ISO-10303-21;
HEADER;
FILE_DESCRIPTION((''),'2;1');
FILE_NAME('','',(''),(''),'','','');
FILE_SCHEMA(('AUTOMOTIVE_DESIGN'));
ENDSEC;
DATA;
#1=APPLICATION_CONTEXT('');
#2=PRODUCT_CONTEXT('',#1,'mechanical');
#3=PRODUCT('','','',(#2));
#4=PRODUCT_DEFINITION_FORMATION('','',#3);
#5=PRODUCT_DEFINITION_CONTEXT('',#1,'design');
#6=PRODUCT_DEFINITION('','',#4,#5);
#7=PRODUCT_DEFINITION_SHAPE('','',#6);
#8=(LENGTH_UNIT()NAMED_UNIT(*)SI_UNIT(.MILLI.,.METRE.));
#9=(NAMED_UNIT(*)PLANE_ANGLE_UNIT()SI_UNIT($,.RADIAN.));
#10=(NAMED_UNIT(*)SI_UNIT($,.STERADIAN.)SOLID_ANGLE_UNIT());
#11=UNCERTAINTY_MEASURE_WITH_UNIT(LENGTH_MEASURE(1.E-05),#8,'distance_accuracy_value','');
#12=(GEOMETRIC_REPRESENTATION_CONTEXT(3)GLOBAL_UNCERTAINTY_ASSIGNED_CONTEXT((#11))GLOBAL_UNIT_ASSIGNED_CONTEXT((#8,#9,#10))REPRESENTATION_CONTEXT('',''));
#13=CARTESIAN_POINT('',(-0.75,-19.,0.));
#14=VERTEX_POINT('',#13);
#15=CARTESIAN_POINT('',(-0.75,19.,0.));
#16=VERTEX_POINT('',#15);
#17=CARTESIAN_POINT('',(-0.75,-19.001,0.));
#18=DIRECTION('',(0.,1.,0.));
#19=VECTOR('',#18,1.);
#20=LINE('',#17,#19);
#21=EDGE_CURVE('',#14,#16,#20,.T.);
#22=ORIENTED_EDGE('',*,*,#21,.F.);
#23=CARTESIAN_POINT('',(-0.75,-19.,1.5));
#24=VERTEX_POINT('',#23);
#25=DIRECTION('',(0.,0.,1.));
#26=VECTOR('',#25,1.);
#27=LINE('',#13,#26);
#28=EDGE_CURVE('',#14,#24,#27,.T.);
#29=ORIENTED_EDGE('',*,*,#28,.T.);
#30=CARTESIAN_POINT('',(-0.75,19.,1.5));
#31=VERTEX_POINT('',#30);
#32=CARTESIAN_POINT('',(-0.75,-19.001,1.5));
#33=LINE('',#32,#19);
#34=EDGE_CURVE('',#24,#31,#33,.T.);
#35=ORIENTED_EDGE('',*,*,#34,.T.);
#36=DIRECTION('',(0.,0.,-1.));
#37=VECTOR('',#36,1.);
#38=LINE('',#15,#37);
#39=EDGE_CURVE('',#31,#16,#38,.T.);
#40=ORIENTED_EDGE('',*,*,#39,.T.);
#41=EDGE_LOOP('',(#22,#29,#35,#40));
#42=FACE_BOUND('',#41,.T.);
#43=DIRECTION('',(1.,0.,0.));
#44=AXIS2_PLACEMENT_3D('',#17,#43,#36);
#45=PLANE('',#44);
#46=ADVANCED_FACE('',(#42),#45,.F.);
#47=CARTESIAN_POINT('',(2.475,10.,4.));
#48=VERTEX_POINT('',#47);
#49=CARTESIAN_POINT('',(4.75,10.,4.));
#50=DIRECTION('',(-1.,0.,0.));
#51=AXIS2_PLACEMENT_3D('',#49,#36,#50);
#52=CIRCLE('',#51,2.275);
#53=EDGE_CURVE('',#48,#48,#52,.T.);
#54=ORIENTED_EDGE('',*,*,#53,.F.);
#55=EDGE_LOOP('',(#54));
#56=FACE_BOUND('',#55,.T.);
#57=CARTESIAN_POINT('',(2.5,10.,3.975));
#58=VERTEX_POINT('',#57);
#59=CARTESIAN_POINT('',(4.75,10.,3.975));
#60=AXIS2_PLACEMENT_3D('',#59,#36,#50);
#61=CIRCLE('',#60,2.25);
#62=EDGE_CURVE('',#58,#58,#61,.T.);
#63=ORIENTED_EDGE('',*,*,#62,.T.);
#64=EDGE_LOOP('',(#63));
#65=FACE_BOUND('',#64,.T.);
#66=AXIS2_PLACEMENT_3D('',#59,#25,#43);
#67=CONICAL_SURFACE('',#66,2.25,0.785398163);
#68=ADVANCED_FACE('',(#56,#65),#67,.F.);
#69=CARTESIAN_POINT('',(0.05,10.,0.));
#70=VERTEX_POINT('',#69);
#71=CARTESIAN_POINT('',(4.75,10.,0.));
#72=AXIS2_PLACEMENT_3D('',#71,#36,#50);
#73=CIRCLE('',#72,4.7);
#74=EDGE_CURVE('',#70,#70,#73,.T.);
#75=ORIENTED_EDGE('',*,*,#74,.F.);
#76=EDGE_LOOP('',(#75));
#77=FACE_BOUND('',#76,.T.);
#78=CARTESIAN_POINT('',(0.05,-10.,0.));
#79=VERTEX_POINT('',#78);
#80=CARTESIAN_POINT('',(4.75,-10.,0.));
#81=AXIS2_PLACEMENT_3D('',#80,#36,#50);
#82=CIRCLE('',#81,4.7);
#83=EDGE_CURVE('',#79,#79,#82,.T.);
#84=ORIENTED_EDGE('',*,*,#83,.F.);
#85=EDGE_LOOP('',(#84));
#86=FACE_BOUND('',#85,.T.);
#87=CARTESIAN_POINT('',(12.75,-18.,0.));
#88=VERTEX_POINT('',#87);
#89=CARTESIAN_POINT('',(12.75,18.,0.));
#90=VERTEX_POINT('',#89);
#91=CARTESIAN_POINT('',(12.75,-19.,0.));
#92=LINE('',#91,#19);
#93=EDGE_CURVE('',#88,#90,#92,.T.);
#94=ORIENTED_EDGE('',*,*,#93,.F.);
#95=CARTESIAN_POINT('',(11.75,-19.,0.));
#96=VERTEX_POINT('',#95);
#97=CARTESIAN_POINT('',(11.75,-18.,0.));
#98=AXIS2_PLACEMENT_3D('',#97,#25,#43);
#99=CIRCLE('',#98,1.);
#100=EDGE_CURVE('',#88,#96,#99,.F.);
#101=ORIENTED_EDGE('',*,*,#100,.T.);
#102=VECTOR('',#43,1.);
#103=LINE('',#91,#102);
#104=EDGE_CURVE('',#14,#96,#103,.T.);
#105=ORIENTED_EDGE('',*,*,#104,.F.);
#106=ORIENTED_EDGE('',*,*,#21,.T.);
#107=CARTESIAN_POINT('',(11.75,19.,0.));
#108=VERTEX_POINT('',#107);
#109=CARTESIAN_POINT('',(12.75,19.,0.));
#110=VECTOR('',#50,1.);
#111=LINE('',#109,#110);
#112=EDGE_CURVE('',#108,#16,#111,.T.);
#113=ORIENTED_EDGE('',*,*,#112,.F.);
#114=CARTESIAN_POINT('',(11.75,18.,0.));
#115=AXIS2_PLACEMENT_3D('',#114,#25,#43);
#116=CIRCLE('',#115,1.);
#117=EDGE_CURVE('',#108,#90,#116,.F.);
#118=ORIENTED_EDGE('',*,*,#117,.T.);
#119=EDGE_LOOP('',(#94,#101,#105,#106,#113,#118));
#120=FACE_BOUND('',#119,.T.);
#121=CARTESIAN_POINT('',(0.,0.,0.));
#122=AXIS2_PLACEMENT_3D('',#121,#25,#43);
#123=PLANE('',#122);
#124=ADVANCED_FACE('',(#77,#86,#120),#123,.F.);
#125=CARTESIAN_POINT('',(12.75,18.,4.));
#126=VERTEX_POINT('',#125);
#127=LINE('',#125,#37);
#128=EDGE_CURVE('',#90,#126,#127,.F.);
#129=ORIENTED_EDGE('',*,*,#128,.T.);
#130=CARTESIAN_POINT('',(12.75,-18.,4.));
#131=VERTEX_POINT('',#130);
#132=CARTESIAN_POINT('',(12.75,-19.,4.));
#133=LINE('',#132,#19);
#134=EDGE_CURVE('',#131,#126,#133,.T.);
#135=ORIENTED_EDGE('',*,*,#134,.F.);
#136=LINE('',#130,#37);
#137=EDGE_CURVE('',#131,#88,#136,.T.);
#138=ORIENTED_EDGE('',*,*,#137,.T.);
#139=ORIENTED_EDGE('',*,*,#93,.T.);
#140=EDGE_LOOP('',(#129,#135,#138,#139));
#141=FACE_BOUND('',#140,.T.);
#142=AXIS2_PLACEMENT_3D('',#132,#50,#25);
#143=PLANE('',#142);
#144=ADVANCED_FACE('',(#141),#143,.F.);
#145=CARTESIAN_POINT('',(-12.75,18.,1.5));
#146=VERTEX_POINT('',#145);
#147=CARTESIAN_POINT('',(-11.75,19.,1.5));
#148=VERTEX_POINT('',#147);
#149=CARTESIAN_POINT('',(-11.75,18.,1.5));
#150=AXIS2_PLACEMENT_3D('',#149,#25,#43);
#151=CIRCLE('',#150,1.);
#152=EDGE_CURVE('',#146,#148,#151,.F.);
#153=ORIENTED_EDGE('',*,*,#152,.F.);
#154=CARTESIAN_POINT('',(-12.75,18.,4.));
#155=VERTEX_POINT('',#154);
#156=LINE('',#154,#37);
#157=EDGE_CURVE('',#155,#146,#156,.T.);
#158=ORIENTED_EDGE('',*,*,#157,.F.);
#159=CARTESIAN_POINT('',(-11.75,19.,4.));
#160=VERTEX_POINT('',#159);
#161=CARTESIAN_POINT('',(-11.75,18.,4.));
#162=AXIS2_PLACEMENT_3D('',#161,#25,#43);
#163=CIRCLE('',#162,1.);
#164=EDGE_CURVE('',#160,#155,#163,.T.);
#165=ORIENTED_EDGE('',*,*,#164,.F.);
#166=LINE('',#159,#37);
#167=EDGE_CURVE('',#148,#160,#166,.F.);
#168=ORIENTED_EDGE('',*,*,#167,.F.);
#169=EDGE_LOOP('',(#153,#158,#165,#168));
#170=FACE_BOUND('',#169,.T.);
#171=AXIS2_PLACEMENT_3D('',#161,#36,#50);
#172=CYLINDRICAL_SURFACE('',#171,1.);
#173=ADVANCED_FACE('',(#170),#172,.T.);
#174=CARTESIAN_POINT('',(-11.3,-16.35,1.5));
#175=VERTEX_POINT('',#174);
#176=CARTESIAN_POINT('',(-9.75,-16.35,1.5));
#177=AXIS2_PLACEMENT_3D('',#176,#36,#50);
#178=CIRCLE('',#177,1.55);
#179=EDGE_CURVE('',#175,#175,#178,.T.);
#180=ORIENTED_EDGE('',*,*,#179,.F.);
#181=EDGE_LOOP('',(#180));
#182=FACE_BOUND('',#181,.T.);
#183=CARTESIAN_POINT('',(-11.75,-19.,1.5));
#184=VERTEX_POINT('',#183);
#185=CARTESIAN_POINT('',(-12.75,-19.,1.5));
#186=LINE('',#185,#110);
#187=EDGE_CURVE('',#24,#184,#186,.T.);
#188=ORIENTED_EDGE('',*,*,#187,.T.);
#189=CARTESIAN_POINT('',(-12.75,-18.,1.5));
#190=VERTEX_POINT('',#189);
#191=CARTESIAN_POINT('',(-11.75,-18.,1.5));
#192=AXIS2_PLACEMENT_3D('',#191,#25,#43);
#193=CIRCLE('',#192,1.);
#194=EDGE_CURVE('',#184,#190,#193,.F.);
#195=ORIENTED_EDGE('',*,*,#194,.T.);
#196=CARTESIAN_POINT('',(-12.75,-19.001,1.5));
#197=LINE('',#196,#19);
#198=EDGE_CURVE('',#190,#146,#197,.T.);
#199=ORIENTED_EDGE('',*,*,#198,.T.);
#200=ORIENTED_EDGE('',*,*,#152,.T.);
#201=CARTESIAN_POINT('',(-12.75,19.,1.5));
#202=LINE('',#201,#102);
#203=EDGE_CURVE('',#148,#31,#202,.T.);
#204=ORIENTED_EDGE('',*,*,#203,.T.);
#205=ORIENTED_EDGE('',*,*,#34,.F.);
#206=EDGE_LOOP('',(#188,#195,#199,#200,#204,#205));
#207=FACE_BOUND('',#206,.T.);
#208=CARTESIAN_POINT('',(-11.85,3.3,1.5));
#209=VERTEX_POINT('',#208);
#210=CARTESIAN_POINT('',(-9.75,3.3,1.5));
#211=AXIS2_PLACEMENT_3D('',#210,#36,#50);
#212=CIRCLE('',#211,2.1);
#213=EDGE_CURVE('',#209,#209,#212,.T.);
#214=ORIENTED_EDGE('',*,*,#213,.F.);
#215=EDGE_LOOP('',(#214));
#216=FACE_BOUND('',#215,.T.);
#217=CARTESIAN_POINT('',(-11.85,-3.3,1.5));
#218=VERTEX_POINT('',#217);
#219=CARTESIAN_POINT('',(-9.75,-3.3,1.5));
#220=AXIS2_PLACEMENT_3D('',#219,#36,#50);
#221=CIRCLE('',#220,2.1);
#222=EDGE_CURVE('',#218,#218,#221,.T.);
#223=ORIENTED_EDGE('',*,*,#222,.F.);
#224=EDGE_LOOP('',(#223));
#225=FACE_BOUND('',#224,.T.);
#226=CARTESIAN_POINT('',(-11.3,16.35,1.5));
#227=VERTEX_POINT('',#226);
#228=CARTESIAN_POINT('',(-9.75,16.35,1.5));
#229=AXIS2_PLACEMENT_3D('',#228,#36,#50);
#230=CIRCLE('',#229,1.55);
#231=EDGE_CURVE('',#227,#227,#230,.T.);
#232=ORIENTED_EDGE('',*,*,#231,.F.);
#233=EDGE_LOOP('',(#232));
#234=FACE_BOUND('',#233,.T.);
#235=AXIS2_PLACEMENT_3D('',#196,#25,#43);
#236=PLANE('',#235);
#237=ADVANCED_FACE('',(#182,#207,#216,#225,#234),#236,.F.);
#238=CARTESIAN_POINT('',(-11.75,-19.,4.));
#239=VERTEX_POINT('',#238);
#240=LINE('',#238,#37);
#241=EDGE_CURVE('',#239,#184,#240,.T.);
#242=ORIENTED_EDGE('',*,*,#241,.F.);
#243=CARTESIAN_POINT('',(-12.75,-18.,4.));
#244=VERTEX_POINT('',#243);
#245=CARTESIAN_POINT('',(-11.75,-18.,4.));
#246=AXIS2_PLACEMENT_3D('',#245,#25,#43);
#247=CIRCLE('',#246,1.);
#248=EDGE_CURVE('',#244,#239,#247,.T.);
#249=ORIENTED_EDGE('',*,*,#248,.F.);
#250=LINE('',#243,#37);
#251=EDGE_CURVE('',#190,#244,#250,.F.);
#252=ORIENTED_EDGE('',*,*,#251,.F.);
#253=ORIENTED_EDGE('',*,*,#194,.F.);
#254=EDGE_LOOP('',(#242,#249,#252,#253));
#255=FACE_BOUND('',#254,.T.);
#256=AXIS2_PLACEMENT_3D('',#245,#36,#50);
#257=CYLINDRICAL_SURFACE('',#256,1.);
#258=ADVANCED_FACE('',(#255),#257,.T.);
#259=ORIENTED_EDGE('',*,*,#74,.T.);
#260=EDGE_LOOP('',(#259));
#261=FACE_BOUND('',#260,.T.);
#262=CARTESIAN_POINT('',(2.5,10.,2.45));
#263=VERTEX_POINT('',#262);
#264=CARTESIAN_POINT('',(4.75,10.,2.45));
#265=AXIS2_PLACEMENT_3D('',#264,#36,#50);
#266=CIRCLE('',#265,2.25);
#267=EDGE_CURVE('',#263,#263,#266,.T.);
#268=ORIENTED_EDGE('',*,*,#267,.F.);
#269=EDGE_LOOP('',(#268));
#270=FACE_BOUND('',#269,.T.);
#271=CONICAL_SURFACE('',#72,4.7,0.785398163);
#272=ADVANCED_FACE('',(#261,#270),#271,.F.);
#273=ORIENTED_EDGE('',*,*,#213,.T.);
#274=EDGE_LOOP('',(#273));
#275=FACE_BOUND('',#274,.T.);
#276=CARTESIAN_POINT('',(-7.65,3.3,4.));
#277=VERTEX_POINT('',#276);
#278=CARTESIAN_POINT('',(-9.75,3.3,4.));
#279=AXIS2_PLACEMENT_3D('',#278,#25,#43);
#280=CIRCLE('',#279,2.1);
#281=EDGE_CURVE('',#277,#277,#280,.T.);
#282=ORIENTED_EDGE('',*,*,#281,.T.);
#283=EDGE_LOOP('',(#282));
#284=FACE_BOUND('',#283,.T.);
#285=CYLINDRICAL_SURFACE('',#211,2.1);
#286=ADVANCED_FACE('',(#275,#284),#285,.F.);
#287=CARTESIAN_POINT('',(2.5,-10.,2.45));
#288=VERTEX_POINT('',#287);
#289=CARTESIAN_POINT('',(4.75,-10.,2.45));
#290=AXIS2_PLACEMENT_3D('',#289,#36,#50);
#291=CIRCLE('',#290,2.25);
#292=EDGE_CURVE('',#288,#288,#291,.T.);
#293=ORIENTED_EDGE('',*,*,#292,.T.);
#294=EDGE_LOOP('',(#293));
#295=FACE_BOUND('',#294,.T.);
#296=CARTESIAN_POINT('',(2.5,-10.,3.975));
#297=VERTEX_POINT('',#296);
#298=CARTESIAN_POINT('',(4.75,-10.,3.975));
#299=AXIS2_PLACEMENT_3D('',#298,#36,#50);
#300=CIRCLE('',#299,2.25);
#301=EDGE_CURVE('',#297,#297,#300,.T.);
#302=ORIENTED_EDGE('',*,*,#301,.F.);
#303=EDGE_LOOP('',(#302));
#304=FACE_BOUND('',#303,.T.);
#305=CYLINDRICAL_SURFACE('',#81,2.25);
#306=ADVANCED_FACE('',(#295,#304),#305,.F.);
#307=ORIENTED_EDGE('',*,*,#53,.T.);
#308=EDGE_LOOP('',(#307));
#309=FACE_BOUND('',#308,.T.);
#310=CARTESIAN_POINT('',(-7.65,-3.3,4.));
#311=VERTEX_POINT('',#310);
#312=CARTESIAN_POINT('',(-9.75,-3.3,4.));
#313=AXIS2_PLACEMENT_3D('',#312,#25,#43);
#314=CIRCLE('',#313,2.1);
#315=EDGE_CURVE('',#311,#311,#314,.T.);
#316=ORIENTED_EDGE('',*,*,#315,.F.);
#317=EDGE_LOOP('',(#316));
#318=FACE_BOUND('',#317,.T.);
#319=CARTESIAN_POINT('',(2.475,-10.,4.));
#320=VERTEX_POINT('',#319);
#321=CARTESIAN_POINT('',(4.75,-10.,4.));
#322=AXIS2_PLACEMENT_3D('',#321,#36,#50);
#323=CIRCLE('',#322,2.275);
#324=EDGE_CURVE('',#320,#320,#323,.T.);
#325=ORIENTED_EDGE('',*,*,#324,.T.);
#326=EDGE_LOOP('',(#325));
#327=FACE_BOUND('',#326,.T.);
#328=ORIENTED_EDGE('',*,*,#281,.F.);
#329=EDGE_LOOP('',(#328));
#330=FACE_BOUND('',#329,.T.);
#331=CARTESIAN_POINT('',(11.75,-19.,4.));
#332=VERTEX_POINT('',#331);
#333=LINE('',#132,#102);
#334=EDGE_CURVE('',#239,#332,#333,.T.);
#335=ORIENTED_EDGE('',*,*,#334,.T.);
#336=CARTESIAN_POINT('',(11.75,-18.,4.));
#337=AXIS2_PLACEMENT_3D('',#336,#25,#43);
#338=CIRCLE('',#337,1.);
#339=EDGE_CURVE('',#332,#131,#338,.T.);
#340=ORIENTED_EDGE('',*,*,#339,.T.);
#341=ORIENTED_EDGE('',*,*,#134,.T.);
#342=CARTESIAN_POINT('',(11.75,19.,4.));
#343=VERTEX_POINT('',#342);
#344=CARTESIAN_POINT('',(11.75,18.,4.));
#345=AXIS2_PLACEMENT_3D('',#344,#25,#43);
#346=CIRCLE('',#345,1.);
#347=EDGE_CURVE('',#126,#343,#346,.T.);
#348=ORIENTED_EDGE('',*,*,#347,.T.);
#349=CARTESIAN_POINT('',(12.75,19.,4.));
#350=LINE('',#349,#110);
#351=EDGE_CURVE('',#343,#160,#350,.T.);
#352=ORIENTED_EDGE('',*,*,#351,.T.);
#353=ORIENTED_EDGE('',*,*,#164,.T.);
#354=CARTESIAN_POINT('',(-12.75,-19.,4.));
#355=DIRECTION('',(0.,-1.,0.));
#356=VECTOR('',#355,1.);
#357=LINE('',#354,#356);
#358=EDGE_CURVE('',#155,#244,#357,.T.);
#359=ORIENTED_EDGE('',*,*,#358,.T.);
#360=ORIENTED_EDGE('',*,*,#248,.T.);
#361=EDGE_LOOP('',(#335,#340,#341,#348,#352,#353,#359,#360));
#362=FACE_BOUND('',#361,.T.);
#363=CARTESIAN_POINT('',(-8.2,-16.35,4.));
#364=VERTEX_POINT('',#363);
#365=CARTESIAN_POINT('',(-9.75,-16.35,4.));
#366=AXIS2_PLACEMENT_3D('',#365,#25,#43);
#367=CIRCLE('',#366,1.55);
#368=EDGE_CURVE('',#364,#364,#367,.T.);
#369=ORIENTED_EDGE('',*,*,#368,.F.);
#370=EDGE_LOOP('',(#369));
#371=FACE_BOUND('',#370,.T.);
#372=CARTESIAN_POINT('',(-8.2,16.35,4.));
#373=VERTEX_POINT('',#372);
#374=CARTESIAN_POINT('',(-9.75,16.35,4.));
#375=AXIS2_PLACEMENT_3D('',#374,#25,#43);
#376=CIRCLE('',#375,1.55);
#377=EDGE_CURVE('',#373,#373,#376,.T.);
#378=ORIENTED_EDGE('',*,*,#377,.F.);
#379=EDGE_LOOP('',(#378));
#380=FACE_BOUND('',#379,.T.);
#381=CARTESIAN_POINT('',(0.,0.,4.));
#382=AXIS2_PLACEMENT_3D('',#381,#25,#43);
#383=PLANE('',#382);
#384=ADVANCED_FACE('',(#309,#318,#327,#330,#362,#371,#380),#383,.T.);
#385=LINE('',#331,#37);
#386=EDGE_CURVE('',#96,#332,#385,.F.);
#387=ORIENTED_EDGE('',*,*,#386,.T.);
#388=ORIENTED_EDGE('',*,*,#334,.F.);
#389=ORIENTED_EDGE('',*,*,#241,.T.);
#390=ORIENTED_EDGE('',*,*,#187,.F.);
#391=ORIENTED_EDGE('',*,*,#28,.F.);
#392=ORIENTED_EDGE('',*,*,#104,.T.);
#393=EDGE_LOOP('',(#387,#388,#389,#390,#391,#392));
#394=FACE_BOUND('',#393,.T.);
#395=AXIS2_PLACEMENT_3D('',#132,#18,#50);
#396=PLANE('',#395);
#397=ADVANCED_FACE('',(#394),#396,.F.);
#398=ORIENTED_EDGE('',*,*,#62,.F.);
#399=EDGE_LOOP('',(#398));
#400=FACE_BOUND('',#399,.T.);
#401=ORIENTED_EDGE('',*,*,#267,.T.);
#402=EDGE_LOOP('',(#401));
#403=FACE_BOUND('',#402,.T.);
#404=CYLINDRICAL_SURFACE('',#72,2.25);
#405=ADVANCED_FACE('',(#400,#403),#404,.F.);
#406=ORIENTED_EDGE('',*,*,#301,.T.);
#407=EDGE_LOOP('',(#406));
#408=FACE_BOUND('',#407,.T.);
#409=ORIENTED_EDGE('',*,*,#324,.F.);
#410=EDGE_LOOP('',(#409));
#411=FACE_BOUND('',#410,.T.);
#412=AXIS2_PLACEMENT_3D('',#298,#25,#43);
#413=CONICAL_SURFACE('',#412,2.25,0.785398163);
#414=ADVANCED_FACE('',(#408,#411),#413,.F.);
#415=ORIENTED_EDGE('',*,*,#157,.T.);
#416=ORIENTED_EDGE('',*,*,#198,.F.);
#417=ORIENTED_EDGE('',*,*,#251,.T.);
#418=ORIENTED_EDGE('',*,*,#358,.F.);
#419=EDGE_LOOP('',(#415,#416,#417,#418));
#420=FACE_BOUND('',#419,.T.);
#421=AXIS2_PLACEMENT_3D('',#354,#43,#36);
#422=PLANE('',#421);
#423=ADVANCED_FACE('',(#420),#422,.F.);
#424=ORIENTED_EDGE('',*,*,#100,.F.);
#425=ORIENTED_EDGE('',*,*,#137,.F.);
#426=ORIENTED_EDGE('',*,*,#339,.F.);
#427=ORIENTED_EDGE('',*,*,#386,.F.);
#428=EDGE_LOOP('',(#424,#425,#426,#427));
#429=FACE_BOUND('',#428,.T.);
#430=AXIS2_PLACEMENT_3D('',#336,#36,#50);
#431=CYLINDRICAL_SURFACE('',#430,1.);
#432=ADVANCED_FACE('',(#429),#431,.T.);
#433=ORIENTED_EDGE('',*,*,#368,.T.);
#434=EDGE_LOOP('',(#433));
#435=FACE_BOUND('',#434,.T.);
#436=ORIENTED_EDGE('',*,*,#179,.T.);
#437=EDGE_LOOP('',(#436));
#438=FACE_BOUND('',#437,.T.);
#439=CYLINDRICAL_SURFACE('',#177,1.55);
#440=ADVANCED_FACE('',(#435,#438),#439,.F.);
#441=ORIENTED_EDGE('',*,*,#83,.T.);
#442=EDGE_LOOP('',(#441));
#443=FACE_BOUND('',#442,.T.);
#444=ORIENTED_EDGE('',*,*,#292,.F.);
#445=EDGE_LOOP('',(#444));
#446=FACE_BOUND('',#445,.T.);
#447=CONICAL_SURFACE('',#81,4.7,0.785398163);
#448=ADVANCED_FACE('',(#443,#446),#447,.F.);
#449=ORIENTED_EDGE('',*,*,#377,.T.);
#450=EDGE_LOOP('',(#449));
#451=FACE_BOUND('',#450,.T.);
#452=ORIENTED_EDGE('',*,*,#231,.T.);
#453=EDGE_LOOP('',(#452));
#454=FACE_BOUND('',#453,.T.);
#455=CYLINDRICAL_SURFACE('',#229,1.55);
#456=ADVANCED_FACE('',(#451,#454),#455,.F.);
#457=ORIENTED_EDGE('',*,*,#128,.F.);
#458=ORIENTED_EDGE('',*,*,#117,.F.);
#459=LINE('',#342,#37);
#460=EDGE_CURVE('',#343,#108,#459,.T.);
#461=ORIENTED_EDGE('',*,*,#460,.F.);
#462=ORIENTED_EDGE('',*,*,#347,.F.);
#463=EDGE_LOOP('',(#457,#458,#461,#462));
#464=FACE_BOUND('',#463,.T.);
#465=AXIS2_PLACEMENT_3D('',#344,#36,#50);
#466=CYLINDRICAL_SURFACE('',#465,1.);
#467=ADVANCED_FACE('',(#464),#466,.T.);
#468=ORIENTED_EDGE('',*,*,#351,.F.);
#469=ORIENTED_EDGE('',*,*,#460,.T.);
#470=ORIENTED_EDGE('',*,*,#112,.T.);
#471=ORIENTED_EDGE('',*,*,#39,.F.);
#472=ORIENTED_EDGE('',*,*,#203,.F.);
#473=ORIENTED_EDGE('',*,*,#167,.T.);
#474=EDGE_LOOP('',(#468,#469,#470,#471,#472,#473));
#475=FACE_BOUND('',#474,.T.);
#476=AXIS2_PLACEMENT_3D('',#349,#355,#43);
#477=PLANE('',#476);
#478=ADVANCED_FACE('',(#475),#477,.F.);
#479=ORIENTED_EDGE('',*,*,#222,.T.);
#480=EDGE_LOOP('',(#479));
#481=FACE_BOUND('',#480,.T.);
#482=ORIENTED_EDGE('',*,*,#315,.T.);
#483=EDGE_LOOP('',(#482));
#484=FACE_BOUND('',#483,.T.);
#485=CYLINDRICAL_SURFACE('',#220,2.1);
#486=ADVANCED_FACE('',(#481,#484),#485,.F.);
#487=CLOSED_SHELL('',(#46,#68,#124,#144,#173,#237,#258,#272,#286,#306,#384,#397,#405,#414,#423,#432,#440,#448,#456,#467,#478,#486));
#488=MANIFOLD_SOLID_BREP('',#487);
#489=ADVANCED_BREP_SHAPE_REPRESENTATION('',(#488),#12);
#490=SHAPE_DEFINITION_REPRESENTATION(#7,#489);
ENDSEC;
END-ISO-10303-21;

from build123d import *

# Parameters (mm, degrees)
SKETCH1_W                                    = 25.5
SKETCH1_H                                    = 38
BOSS_EXTRUDE1_DEPTH                          = 4
CUT_EXTRUDE1_REACH                           = 42.281
SKETCH2_W                                    = 12
SKETCH2_H                                    = 1.5
CSK_FOR_M4_COUNTERSUNK_FLAT_HEAD_SCR_2_COUNT = 2
CSK_FOR_M4_COUNTERSUNK_FLAT_HEAD_SCR_2_PITCH = 20
M3_CLEARANCE_HOLE1_D                         = 3.1
HOLE1_D                                      = 4.2
FILLET1_R                                    = 1


with BuildPart() as part:
    # Sketch1 → Boss-Extrude1 (new body)
    with BuildSketch(Plane.XY):
        Rectangle(SKETCH1_W, SKETCH1_H)
    extrude(amount=BOSS_EXTRUDE1_DEPTH)

    # Sketch2 → Cut-Extrude1 (cut, up to next)
    with BuildSketch(Plane(origin=(0, 19, 0), x_dir=(1, 0, 0), z_dir=(0, 1, 0)), mode=Mode.PRIVATE) as cut_extrude1_sk1:
        with Locations((-6.75, -0.75)):
            Rectangle(SKETCH2_W, SKETCH2_H)
    cut_extrude1_tool1 = extrude(cut_extrude1_sk1.sketch, amount=-CUT_EXTRUDE1_REACH, mode=Mode.PRIVATE) & part.part
    add(cut_extrude1_tool1.solids().sort_by_distance((-6.75, 19, 0.75))[0], mode=Mode.SUBTRACT)

    # Sketch5 → CSK for M4 Countersunk Flat Head Screw1 (revolve, cut)
    with BuildSketch(Plane(origin=(4.75, 10, 0), x_dir=(0, 1, 0), z_dir=(1, 0, 0))):
        Polygon((0, 0), (0, 4), (2.275, 4), (2.25, 3.975), (2.25, 2.45), (4.7, 0), align=None)
    csk_for_m4_countersunk_flat_head_screw1 = revolve(axis=Axis((4.75, 10, -6.35), (0, 0, 1)), mode=Mode.SUBTRACT)

    # CSK for M4 Countersunk Flat Head Scr 2: CSK for M4 Countersunk Flat Head Screw1 ×2
    with Locations(*[(0, -i * CSK_FOR_M4_COUNTERSUNK_FLAT_HEAD_SCR_2_PITCH, 0) for i in range(1, CSK_FOR_M4_COUNTERSUNK_FLAT_HEAD_SCR_2_COUNT)]):
        add(csk_for_m4_countersunk_flat_head_screw1, mode=Mode.SUBTRACT)

    # M3 Clearance Hole1 (through all)
    with Locations(Plane(origin=(0, 0, 1.5), x_dir=(-1, 0, 0), z_dir=(0, 0, -1))):
        with Locations((9.75, -16.35), (9.75, 16.35)):
            Hole(M3_CLEARANCE_HOLE1_D / 2)

    # Hole1 (through all)
    with Locations(Plane(origin=(0, 0, 1.5), x_dir=(-1, 0, 0), z_dir=(0, 0, -1))):
        with Locations((9.75, -3.3), (9.75, 3.3)):
            Hole(HOLE1_D / 2)

    # Fillet1
    fillet1_edges = [part.edges().sort_by_distance(p)[0] for p in [
        (-12.75, 19, 2.75),
        (12.75, 19, 2),
        (12.75, -19, 2),
        (-12.75, -19, 2.75),
    ]]
    fillet(fillet1_edges, radius=FILLET1_R)


solid = part.part
